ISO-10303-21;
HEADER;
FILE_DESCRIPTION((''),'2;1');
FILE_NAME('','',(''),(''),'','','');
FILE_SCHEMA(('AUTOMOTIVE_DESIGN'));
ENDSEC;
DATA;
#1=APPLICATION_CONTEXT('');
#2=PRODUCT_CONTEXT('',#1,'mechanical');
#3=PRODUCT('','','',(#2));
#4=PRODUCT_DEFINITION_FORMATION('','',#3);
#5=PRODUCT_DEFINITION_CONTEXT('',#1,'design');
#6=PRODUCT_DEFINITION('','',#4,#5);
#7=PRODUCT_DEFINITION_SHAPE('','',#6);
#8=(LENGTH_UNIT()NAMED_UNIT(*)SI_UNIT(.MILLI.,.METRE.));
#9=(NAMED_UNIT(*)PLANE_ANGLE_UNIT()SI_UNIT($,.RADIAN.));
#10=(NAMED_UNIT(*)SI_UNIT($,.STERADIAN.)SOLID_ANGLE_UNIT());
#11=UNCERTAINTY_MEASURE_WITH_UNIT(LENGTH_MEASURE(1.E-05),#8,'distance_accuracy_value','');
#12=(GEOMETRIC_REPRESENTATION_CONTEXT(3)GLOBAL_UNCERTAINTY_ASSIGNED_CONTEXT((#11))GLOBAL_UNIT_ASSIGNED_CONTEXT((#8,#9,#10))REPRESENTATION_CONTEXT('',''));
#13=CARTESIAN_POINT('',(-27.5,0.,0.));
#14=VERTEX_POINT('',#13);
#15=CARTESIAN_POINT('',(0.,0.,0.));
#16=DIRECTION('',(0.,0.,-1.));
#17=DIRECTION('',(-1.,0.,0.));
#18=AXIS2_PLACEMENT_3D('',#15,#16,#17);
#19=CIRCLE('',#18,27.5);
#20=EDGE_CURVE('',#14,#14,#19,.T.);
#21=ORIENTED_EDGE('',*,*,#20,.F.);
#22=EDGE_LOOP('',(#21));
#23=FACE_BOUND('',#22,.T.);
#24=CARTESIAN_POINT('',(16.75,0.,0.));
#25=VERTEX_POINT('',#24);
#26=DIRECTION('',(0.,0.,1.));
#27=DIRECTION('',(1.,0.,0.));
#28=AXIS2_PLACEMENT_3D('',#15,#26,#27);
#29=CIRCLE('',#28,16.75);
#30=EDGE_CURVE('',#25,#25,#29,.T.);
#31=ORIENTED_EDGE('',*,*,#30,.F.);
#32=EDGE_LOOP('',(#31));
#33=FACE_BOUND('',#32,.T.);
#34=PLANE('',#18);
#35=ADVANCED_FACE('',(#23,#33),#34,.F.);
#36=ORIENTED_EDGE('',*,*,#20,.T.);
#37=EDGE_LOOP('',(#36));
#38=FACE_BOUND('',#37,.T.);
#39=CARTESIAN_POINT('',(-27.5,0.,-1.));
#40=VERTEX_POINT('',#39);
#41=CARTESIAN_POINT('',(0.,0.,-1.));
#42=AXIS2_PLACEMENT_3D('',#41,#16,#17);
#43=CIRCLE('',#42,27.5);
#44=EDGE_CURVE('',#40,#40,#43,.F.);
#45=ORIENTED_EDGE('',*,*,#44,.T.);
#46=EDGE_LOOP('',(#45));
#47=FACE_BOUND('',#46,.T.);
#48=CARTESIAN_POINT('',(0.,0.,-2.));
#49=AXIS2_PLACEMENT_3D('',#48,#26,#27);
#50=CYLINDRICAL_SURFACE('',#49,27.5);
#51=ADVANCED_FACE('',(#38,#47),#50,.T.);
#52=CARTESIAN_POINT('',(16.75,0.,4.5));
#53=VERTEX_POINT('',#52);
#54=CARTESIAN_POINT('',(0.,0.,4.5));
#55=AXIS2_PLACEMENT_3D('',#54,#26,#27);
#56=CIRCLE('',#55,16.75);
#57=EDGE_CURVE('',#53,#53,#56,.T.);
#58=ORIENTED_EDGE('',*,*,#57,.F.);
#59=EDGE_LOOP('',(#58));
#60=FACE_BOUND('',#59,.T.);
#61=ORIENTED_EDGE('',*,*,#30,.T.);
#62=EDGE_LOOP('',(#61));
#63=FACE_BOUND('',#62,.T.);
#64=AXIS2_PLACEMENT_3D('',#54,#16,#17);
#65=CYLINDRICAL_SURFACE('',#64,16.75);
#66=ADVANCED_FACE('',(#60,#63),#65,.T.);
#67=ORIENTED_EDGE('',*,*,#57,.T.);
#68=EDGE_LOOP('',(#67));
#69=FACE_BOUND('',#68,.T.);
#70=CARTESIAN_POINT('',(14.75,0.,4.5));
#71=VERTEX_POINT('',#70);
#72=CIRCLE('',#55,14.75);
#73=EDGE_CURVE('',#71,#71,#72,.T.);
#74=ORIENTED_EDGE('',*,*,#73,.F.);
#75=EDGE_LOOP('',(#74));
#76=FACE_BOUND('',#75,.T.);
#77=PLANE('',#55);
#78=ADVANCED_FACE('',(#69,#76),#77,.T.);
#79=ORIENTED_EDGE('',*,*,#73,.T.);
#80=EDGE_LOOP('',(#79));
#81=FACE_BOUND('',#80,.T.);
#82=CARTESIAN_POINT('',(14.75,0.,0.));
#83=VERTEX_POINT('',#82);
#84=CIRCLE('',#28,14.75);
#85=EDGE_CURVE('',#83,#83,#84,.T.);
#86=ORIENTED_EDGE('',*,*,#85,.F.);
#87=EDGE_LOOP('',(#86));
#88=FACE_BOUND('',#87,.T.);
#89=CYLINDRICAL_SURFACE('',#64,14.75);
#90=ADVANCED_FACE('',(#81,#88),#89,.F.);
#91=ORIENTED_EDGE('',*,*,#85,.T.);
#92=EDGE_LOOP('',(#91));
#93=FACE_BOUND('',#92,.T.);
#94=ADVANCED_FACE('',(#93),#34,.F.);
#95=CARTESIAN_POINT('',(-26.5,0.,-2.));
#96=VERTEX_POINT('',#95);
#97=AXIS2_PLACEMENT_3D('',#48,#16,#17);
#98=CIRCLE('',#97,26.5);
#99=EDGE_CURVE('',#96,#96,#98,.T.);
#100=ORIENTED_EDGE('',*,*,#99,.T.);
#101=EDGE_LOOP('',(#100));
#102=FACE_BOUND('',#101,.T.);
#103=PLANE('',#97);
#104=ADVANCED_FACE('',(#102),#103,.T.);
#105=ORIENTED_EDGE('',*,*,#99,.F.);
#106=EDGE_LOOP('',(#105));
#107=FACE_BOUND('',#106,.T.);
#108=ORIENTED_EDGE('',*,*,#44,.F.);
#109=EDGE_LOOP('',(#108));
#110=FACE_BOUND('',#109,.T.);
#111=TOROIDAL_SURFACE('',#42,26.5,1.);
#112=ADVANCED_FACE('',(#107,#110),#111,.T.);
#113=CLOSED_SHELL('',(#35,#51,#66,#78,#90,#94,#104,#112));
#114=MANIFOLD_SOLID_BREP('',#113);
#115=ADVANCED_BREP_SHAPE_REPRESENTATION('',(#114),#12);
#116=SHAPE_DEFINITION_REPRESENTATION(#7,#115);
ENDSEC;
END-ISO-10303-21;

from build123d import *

# Parameters (mm, degrees)
CROQUIS1_R           = 16.75
CROQUIS1_R_2         = 14.75
PESTA_AENTRADA_DEPTH = 4.5
CROQUIS2_R           = 27.5
TAPADERA_DEPTH       = 2
DETALLESUPERIOR_R    = 1


with BuildPart() as part:
    # Croquis1 → PestañaEntrada (new body)
    with BuildSketch(Plane.XY):
        Circle(CROQUIS1_R)
        Circle(CROQUIS1_R_2, mode=Mode.SUBTRACT)
    extrude(amount=PESTA_AENTRADA_DEPTH)

    # Croquis2 → Tapadera (add)
    with BuildSketch(Plane(origin=(0, 0, 0), x_dir=(-1, 0, 0), z_dir=(0, 0, -1))):
        Circle(CROQUIS2_R)
    extrude(amount=TAPADERA_DEPTH)

    # DetalleSuperior
    detallesuperior_edges = [part.edges().sort_by_distance(p)[0] for p in [
        (27.5, 0, -2),
    ]]
    fillet(detallesuperior_edges, radius=DETALLESUPERIOR_R)


solid = part.part
